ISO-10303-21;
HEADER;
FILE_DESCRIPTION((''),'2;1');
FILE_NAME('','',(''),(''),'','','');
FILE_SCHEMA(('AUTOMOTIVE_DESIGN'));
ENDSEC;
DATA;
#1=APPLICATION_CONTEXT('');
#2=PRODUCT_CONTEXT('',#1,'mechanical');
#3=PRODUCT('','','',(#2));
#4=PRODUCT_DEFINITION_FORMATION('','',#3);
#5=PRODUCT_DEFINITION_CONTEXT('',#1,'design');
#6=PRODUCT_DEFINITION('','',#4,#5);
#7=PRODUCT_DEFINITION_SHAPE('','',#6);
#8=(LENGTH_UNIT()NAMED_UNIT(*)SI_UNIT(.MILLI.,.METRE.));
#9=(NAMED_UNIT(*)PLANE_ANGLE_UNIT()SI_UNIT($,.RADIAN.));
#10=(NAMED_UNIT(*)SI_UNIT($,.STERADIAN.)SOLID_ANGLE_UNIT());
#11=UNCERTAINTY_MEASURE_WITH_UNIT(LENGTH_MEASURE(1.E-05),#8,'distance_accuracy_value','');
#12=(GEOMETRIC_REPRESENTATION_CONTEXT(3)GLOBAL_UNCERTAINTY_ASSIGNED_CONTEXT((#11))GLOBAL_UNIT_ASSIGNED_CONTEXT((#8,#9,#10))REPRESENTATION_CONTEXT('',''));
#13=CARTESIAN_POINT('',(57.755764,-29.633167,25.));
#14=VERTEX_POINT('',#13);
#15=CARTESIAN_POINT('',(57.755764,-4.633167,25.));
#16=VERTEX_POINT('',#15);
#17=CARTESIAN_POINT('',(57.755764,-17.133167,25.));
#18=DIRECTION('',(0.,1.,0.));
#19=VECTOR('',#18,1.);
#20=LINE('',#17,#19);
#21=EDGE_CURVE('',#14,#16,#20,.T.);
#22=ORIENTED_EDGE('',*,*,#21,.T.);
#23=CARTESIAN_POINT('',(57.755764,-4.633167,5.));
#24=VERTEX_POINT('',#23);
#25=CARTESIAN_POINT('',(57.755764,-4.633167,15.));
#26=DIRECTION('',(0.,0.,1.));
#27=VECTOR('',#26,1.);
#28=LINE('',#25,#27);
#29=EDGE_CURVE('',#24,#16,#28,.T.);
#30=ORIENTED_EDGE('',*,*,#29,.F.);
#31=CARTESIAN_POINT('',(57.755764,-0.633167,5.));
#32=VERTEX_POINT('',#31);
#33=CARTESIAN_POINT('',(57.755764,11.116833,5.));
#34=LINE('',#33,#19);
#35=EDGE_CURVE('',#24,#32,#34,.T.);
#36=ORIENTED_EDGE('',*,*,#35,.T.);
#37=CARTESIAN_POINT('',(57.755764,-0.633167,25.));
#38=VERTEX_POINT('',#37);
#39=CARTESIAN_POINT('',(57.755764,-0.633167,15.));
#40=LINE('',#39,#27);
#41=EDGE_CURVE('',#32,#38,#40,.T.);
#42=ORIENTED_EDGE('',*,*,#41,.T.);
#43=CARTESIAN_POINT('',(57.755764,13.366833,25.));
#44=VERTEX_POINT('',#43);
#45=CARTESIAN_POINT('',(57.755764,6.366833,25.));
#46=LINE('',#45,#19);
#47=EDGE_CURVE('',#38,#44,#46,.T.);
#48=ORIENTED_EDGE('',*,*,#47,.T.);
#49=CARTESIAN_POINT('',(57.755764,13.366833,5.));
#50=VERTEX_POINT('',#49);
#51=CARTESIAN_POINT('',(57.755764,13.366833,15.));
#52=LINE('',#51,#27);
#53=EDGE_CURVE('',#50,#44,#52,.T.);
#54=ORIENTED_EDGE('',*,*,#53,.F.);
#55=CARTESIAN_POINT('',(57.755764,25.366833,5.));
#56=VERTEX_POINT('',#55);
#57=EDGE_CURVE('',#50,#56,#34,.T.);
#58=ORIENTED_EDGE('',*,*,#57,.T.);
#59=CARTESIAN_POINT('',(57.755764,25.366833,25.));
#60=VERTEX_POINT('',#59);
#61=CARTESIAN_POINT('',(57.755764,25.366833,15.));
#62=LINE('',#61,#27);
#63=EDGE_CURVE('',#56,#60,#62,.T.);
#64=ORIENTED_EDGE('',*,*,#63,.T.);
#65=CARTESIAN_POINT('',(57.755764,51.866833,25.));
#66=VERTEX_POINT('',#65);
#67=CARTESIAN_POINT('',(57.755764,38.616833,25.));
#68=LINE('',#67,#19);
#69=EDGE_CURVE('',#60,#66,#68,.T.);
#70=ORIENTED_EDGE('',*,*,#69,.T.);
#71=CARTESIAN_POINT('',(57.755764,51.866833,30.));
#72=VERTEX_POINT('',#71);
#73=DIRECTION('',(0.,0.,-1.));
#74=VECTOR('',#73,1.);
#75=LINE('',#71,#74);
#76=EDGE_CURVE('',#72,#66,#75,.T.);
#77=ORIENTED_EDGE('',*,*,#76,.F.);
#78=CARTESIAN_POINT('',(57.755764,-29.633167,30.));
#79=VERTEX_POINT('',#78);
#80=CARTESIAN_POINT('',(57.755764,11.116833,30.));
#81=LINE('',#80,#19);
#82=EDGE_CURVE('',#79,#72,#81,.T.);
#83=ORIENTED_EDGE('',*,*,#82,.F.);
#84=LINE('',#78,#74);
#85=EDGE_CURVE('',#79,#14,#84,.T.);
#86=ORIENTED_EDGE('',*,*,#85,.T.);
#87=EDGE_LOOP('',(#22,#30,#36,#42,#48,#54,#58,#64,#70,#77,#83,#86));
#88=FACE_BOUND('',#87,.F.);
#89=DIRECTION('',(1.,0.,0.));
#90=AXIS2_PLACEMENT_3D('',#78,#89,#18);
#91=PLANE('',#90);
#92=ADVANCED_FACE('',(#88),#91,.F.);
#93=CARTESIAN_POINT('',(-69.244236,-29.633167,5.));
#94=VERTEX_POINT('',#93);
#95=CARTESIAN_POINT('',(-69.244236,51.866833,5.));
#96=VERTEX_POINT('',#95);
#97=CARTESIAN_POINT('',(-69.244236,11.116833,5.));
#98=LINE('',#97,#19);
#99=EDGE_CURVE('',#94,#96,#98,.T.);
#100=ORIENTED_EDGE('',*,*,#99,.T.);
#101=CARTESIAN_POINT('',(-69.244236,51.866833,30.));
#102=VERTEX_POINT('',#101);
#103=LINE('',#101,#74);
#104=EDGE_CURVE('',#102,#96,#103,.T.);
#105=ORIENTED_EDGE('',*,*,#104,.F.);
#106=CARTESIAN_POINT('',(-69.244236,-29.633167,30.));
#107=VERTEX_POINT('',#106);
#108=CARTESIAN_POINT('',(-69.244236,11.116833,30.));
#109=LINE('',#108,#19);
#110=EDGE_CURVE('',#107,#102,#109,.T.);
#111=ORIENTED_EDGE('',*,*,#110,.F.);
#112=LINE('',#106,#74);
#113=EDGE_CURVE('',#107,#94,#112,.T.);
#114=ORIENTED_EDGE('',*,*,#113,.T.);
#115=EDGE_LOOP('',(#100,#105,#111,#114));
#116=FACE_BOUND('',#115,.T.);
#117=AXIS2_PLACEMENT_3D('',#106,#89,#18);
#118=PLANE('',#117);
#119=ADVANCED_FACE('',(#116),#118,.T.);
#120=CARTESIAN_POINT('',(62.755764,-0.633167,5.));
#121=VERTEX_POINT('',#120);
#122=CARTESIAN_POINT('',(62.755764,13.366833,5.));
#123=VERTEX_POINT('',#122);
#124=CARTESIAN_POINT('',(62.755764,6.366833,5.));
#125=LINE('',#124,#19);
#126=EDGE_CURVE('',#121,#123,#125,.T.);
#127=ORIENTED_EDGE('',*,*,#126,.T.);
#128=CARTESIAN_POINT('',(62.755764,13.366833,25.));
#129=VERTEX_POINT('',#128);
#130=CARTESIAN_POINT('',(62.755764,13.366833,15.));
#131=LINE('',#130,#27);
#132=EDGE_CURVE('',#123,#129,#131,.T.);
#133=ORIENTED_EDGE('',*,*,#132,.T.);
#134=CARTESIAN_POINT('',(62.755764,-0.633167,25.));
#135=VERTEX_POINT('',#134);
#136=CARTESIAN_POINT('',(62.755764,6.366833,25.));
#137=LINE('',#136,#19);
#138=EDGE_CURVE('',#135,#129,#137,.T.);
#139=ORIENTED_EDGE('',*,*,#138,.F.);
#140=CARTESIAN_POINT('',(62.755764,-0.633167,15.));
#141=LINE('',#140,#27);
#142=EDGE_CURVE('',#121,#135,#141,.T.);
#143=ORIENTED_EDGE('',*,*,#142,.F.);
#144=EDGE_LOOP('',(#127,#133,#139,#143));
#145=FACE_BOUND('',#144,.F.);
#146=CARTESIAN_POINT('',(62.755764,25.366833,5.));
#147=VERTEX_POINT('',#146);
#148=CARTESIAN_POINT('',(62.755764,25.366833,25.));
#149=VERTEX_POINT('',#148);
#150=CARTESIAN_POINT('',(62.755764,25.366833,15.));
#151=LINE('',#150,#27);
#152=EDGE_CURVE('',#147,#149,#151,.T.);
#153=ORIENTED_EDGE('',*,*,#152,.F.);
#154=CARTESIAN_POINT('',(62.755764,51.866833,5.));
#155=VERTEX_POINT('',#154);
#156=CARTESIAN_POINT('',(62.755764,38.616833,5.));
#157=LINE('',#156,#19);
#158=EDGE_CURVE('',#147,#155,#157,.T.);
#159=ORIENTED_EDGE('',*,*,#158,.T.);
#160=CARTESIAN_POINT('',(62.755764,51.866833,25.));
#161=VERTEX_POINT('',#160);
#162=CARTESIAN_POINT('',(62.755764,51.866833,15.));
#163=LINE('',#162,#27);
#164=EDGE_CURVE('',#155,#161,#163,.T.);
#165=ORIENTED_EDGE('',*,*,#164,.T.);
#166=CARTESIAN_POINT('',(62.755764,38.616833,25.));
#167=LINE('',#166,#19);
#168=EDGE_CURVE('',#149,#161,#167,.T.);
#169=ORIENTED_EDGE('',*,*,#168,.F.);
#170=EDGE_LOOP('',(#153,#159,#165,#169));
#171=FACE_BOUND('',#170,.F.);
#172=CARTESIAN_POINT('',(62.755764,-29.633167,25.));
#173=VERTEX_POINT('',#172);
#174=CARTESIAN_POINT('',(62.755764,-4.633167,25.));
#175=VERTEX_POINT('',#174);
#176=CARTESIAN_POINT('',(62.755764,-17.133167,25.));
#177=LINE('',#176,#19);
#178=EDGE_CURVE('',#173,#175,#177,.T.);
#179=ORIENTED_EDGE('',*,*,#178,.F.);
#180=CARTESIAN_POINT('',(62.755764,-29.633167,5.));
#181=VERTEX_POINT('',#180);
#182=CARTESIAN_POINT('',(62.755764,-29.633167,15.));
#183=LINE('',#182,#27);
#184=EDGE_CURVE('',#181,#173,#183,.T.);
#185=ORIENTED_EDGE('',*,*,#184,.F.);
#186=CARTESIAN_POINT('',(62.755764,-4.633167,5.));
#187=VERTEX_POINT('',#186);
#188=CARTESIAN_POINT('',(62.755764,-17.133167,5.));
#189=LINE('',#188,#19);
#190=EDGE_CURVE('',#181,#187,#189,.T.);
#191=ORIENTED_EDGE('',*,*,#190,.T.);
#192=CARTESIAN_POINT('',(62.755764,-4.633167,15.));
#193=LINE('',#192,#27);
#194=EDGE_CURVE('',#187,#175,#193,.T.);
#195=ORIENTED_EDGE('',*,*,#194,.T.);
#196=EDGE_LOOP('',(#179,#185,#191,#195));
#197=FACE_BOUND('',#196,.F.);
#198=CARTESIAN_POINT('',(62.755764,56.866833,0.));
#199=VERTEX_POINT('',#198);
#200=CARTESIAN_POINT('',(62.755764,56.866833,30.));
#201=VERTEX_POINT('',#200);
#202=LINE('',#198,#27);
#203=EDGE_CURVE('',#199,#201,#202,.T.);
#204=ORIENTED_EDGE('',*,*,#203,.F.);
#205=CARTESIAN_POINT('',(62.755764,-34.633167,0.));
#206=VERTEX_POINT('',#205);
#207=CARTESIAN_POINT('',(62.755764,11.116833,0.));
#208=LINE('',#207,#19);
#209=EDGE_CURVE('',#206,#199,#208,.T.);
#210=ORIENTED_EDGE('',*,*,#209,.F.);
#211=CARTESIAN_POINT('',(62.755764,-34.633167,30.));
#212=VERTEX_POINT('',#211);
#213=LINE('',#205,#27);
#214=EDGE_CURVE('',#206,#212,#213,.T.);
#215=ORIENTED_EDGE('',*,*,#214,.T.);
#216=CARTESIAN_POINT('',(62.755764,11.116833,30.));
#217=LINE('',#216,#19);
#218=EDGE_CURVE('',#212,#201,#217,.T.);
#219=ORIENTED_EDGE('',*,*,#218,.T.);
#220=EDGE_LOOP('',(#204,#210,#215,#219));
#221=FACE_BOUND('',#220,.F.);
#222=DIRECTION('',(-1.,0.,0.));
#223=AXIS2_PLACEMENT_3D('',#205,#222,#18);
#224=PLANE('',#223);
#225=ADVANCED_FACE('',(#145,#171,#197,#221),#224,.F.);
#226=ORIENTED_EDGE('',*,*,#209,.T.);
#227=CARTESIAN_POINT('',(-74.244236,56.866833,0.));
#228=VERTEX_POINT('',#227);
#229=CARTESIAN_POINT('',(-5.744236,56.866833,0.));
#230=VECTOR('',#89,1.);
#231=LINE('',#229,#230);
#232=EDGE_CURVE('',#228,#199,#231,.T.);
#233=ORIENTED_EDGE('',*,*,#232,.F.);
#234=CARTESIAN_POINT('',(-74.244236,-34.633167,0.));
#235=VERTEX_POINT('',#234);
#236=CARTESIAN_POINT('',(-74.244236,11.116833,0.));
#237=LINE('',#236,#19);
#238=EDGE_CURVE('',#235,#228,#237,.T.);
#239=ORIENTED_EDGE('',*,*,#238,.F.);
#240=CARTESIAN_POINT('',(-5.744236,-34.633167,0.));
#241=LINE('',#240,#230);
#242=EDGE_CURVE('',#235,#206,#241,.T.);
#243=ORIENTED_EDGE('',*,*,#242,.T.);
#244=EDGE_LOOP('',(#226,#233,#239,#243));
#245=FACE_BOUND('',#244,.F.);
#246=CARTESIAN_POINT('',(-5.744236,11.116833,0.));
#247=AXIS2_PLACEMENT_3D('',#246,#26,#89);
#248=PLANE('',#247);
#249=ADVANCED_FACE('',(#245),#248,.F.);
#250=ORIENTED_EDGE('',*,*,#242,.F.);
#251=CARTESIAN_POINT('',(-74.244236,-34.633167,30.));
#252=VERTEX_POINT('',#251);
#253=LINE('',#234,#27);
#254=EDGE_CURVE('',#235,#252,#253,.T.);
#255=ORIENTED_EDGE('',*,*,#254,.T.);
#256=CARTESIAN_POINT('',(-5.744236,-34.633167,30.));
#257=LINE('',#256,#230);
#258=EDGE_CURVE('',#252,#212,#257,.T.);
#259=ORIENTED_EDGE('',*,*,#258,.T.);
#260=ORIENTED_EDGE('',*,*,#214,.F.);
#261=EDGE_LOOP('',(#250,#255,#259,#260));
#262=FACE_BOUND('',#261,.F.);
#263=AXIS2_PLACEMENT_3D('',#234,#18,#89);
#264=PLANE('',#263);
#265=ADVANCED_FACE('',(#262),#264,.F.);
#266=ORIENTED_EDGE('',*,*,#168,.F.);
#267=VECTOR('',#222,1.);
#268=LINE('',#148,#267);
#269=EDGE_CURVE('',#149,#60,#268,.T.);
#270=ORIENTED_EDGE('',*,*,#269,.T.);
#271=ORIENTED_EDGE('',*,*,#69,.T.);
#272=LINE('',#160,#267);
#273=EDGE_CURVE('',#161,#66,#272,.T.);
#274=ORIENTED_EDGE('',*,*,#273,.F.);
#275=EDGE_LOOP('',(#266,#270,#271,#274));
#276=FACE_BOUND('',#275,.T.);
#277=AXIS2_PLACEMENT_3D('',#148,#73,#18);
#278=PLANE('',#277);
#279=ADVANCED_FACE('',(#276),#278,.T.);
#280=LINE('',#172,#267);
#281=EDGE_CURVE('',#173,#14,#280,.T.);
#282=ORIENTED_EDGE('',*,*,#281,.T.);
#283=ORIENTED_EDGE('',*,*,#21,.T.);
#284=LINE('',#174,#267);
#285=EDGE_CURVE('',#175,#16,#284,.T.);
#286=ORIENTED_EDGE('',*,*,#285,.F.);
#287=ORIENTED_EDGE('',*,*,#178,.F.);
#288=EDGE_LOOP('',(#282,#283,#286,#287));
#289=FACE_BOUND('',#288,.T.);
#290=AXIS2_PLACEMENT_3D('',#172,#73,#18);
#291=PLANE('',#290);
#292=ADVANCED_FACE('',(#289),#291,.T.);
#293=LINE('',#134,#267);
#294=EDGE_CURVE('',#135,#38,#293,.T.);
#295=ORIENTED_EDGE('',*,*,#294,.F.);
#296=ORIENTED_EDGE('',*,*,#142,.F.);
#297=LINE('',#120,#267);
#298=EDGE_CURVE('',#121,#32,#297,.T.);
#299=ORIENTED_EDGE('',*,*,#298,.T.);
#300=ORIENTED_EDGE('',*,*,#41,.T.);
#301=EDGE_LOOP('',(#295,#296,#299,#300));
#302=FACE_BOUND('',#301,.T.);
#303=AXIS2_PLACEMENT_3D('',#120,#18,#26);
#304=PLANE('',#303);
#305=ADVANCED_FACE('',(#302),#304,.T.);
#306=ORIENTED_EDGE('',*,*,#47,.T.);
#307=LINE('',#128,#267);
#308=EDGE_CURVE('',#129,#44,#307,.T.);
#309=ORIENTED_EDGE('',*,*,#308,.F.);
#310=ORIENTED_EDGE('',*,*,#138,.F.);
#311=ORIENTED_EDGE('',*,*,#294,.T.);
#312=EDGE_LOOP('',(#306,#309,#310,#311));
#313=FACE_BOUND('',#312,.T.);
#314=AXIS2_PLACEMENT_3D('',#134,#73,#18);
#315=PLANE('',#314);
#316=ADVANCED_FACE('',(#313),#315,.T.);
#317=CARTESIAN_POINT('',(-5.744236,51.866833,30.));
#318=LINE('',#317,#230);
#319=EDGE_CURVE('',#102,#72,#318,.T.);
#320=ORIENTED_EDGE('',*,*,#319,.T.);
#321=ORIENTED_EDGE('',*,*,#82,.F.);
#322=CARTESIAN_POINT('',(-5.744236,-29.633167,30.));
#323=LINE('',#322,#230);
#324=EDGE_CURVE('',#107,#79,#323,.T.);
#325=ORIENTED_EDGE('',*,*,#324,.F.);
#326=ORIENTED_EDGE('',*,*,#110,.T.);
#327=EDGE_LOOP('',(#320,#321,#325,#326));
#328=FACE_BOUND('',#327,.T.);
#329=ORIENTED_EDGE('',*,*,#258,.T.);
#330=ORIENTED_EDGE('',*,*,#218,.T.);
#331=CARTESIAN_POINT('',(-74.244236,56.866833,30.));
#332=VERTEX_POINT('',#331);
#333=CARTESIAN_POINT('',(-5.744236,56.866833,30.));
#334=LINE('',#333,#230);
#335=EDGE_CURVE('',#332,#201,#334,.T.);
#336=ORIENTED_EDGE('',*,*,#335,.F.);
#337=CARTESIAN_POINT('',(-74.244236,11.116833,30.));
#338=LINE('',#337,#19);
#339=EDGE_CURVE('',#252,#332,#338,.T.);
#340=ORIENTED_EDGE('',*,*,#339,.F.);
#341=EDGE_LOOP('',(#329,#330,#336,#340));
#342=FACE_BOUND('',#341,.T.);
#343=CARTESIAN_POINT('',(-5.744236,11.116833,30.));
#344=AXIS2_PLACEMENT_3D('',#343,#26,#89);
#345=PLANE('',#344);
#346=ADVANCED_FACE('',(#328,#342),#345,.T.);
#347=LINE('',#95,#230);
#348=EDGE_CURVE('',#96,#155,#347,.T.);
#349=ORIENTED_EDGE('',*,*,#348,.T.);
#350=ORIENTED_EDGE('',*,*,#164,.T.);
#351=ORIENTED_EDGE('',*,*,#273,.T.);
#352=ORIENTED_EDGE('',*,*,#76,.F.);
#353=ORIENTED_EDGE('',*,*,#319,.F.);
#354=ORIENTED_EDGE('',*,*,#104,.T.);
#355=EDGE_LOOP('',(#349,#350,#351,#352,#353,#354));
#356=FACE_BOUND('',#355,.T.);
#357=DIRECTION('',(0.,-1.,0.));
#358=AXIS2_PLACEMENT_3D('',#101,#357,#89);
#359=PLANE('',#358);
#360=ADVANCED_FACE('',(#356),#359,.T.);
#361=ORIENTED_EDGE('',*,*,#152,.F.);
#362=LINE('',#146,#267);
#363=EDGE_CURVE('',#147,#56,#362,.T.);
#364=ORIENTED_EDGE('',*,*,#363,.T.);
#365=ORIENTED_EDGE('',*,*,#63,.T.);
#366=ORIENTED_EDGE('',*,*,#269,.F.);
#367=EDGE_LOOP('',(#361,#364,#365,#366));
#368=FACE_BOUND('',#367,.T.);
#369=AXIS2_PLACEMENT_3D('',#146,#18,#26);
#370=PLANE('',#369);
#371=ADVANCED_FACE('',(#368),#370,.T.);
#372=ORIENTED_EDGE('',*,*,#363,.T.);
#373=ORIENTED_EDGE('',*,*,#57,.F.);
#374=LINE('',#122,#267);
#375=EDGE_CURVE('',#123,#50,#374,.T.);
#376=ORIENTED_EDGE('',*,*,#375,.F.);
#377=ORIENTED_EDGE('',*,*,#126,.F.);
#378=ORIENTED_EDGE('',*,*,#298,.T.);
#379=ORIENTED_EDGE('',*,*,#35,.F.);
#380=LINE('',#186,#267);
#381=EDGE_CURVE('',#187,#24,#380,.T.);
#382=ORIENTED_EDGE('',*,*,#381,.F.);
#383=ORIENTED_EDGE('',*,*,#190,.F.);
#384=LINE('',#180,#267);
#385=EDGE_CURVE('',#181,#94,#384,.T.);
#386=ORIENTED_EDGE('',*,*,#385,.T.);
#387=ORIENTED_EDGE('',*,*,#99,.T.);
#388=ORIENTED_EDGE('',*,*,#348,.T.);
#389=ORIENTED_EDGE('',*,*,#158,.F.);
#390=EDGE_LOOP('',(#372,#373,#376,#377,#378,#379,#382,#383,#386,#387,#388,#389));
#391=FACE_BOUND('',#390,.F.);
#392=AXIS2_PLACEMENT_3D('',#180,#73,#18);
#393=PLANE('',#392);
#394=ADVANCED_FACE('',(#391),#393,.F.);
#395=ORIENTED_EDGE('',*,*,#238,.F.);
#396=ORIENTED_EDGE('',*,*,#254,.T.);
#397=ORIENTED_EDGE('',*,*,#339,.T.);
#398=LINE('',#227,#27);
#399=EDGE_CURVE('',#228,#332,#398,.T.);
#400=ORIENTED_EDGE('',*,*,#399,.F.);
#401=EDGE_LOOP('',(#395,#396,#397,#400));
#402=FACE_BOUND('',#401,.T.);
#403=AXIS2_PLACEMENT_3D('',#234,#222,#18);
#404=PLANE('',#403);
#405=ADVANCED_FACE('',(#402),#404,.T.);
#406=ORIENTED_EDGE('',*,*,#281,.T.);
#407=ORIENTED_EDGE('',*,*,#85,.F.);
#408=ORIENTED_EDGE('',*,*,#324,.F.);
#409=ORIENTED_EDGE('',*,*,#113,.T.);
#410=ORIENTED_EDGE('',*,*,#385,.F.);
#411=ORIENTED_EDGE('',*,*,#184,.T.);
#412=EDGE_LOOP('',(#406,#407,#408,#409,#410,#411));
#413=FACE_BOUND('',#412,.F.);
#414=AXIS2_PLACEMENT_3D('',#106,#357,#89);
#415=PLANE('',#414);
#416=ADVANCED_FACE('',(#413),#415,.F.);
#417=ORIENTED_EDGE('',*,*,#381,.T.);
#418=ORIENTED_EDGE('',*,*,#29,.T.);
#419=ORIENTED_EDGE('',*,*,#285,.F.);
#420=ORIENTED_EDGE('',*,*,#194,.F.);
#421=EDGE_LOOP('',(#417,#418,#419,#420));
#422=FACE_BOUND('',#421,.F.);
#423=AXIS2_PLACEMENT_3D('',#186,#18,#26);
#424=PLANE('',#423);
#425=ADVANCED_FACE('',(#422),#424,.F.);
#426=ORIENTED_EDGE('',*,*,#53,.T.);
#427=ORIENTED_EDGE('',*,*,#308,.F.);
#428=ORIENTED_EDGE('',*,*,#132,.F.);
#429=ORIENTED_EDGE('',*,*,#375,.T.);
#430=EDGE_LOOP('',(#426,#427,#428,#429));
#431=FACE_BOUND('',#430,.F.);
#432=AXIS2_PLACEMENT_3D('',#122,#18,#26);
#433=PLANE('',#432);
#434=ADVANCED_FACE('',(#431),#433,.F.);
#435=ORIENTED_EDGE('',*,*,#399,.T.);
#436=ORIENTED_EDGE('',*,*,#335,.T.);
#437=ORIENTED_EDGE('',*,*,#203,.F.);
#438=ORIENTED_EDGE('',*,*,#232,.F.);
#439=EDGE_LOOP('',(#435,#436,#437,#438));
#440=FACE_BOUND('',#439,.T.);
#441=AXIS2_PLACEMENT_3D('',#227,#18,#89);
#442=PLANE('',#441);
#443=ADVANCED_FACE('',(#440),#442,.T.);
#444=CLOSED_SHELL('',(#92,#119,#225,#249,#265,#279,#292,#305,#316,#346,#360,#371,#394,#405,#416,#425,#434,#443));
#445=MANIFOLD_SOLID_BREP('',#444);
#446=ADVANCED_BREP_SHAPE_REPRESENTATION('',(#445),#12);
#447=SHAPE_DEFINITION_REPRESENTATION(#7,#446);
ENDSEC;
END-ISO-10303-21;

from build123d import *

# Parameters (mm, degrees)
F0_W     = 137
F0_H     = 91.5
F1_DEPTH = 30
F2_W     = 127
F2_H     = 81.5
F3_DEPTH = 25
F4_W     = 25
F4_H     = 20
F4_W_2   = 14
F4_W_3   = 26.5
F5_DEPTH = 5


with BuildPart() as f1:
    # F0 (on Top) → F1 (new body)
    with BuildSketch(Plane.XY):
        with Locations((-5.744236, 11.116833)):
            Rectangle(F0_W, F0_H)
    extrude(amount=F1_DEPTH)

    # F2 (on face) → F3 (cut)
    with BuildSketch(Plane.XY.offset(30)):
        with Locations((-5.744236, 11.116833)):
            Rectangle(F2_W, F2_H)
    extrude(amount=-F3_DEPTH, mode=Mode.SUBTRACT)

    # F4 (on face) → F5 (cut)
    with BuildSketch(Plane.YZ.offset(62.755764)):
        with Locations((-17.133167, 15)):
            Rectangle(F4_W, F4_H)
        with Locations((6.366833, 15)):
            Rectangle(F4_W_2, F4_H)
        with Locations((38.616833, 15)):
            Rectangle(F4_W_3, F4_H)
    extrude(amount=-F5_DEPTH, mode=Mode.SUBTRACT)


solid = f1.part
